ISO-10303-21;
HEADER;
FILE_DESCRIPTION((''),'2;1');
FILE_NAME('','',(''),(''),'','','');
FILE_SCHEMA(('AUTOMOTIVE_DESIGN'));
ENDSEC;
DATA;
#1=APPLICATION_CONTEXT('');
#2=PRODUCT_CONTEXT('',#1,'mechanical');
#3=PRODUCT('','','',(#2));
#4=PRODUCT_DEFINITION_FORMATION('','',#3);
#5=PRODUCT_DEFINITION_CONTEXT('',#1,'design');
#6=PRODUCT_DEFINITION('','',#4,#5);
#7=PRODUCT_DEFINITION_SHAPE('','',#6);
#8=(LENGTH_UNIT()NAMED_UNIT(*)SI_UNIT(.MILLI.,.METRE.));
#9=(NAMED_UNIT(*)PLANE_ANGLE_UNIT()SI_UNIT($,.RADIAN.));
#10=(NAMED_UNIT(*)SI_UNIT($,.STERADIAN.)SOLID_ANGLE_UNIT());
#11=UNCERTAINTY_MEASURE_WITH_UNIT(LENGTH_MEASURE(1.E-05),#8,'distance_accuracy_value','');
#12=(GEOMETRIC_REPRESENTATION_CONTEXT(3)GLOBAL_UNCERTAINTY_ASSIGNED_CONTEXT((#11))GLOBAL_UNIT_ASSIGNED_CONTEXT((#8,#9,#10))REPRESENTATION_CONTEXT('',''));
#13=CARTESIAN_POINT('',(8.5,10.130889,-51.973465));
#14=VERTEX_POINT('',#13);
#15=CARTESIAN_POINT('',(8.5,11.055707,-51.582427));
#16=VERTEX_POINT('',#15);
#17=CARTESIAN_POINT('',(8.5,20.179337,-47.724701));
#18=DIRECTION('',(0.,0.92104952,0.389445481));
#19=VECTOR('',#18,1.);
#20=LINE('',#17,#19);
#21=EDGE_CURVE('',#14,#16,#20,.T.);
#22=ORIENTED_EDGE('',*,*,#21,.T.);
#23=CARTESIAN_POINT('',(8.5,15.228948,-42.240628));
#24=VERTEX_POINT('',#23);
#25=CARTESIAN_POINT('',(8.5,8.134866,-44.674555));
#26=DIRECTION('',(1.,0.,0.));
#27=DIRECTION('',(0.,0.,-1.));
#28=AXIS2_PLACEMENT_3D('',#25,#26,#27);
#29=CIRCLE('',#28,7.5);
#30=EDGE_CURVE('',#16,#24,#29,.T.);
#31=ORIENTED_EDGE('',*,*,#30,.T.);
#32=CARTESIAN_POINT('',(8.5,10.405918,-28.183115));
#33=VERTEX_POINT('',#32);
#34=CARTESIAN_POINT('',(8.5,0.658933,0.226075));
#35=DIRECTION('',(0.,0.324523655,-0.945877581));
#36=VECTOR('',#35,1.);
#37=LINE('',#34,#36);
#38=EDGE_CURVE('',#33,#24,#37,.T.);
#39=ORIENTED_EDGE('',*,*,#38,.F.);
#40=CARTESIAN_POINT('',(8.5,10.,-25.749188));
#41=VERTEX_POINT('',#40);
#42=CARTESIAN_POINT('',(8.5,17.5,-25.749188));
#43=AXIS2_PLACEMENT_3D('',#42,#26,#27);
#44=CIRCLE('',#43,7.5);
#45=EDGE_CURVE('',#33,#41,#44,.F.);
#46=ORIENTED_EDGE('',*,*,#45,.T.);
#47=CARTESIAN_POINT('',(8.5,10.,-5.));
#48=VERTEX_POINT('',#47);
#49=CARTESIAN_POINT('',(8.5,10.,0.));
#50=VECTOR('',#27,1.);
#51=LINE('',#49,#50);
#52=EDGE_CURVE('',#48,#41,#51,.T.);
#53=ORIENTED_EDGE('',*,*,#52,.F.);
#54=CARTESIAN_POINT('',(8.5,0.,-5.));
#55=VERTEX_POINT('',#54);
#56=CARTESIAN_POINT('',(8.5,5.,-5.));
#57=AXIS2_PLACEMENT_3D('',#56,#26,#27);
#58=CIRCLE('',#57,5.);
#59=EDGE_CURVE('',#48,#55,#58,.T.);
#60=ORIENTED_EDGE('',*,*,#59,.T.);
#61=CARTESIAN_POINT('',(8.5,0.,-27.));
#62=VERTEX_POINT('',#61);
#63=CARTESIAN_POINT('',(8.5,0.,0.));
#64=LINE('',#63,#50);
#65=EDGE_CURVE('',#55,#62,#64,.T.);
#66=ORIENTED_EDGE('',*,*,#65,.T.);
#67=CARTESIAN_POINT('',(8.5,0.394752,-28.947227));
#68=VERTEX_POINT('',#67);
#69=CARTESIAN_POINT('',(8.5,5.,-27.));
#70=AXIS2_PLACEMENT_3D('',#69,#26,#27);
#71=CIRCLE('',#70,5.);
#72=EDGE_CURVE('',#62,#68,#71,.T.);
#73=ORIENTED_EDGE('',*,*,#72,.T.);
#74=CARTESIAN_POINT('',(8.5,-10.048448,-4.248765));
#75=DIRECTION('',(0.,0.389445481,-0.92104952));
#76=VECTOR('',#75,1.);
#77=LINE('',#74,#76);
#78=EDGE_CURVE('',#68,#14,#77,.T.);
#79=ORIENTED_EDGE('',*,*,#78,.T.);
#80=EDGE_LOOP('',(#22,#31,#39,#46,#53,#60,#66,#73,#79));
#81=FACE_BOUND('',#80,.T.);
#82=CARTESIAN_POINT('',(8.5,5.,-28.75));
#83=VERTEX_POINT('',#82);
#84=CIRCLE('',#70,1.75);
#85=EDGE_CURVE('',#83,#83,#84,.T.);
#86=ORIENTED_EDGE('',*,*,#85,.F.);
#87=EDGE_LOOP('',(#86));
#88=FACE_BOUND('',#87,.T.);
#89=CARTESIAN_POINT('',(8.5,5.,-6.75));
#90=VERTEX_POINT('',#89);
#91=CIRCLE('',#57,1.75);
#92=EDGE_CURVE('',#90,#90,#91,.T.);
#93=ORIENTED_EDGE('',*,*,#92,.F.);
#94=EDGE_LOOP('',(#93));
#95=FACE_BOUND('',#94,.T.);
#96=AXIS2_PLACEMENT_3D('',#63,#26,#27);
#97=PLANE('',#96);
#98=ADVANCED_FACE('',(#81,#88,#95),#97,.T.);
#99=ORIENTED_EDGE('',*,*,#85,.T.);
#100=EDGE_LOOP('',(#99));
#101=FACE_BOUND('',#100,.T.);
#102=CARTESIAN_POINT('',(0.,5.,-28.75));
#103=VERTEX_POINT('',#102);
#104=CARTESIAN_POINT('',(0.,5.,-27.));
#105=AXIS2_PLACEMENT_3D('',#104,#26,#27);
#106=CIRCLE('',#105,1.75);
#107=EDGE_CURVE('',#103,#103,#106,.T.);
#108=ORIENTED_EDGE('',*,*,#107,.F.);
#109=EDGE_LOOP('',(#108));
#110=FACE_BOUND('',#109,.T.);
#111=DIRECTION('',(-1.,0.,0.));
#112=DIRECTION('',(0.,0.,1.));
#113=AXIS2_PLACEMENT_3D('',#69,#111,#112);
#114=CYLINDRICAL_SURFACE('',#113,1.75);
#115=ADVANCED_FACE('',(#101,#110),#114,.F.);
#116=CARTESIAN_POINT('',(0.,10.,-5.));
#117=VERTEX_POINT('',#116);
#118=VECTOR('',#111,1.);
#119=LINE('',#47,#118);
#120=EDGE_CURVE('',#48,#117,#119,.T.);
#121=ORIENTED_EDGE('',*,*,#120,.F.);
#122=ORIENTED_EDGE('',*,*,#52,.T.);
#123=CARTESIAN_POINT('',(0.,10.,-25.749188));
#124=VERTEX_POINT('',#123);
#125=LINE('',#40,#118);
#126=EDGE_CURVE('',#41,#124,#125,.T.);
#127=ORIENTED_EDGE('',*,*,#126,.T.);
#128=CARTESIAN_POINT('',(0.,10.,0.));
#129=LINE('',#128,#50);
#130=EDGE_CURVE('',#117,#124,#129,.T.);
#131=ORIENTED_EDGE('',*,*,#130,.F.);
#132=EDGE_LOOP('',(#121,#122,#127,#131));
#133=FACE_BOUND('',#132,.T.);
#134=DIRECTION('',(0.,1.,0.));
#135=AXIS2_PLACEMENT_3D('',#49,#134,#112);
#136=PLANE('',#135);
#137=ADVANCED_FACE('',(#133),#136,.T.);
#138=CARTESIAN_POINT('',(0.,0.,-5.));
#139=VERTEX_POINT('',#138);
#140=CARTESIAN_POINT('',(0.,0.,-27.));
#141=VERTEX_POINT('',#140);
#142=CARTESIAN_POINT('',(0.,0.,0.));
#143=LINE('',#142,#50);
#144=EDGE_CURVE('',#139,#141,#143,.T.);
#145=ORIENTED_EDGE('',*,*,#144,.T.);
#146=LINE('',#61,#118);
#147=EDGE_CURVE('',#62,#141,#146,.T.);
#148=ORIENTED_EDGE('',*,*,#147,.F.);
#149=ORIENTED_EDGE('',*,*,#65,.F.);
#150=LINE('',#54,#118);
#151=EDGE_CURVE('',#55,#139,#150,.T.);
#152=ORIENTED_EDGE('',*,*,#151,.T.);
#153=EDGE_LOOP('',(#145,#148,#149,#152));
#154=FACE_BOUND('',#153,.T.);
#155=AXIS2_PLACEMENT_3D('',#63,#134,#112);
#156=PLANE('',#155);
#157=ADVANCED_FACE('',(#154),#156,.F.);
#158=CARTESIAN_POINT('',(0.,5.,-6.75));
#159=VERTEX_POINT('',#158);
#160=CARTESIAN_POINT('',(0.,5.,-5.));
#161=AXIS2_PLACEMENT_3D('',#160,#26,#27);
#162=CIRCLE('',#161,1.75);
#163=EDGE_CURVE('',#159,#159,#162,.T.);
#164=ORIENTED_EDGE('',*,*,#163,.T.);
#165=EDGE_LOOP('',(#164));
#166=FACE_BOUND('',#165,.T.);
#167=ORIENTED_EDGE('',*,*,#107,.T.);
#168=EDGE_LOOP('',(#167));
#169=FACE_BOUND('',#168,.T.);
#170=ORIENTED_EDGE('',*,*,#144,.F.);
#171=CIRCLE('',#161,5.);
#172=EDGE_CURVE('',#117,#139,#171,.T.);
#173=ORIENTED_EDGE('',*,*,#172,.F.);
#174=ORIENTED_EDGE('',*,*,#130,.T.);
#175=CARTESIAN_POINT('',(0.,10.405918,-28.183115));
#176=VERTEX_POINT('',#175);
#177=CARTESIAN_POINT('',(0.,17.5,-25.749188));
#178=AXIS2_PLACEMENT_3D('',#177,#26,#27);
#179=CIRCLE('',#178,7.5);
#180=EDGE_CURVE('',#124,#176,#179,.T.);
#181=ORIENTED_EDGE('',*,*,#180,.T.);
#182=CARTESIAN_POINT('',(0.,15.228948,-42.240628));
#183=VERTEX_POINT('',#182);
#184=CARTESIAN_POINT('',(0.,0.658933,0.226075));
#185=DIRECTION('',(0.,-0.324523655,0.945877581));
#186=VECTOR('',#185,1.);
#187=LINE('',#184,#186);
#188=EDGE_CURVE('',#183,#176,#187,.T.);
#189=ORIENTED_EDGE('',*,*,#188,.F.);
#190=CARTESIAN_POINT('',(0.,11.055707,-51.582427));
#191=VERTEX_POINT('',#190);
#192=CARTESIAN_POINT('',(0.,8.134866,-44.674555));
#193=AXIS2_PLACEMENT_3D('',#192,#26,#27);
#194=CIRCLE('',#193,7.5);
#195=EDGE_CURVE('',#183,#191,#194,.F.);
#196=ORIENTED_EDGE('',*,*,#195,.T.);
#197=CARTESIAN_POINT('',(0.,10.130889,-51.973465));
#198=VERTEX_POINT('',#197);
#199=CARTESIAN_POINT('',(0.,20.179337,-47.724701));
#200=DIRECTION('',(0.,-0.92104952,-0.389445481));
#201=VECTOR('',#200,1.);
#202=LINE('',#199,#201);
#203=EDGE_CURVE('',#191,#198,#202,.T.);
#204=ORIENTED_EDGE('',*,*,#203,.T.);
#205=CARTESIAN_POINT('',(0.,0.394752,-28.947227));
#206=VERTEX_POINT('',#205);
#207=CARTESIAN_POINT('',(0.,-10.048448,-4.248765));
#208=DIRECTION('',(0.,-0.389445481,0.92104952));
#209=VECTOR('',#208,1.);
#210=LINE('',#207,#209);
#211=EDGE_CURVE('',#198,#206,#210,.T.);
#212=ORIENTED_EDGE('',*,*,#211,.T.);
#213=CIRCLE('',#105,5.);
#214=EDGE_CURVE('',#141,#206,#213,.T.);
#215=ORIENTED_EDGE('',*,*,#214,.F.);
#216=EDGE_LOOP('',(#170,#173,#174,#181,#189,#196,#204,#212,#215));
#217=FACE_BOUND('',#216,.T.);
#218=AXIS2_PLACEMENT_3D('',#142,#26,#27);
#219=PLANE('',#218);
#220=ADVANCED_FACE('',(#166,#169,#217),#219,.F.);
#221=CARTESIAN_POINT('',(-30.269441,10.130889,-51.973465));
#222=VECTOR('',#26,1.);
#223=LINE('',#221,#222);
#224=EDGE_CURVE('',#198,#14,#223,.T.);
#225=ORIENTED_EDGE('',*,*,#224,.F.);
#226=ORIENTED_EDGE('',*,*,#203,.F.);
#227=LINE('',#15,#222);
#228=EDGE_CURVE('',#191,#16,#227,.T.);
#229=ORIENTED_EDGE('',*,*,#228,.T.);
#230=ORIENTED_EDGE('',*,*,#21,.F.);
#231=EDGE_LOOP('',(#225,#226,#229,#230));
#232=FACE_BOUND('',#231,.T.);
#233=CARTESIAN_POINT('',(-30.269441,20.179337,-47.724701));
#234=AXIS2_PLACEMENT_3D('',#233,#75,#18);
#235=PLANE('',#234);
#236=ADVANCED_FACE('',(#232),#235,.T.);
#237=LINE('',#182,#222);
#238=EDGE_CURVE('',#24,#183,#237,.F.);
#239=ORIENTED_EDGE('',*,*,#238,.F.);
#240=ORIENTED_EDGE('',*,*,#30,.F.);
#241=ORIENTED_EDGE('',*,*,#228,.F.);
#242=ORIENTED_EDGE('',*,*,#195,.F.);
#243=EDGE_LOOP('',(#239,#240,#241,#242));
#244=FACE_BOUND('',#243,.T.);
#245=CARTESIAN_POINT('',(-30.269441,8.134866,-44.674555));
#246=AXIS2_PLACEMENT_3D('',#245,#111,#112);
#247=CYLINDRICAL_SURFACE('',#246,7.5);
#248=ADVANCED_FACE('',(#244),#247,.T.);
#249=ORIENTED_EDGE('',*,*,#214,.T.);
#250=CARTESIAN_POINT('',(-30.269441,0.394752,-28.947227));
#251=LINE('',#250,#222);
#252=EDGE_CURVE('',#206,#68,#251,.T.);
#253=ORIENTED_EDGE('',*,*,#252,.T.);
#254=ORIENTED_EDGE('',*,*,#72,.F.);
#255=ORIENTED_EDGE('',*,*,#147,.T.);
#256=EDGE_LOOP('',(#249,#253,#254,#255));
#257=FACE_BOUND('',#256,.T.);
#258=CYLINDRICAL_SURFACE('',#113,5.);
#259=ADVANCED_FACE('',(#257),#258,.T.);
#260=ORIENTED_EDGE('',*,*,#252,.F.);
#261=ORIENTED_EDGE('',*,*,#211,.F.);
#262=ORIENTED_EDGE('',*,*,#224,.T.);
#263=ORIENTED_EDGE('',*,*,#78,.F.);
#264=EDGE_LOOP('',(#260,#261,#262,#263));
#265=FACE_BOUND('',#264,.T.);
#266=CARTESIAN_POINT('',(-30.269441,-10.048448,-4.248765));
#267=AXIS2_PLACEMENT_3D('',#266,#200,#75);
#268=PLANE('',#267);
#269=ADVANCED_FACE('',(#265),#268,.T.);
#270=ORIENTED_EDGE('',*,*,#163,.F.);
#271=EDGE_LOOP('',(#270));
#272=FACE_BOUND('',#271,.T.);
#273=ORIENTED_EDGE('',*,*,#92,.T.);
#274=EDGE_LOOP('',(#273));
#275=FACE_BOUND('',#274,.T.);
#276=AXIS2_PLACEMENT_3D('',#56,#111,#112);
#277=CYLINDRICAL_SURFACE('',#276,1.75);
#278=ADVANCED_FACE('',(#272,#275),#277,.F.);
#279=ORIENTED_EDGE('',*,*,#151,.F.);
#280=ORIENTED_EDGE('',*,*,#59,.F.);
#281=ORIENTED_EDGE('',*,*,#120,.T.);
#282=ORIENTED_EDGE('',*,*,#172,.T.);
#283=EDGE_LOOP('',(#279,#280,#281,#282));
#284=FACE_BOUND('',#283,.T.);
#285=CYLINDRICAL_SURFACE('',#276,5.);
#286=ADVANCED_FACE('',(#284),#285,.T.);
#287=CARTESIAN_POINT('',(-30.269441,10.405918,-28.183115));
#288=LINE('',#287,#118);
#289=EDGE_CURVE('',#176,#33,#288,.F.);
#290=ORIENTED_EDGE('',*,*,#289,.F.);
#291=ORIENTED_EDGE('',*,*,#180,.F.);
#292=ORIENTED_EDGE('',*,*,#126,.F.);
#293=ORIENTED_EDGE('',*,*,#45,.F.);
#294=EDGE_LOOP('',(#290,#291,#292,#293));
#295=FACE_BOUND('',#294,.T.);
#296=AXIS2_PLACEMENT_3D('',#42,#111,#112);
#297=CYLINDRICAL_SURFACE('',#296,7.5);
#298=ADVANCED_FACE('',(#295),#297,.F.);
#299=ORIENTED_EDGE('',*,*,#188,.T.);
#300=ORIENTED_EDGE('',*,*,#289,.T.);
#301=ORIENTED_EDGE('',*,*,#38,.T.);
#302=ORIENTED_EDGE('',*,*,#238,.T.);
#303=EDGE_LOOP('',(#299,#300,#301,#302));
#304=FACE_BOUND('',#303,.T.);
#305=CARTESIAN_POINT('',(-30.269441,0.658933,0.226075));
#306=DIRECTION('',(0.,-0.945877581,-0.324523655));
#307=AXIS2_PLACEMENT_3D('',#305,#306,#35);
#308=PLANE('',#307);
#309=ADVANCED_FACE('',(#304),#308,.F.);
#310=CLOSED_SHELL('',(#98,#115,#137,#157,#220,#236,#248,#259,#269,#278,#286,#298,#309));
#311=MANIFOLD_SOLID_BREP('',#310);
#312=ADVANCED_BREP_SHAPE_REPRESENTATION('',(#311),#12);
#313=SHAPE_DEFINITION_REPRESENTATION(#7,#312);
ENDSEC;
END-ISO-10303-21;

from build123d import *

# Parameters (mm, degrees)
SKETCH1_R           = 1.75
BOSS_EXTRUDE1_DEPTH = 8.5
BOSS_EXTRUDE2_START = -8.5
BOSS_EXTRUDE2_DEPTH = 8.5
FILLET1_R           = 7.5


with BuildPart() as part:
    # Sketch1 → Boss-Extrude1 (new body)
    with BuildSketch(Plane(origin=(0, 0, 0), x_dir=(0, 0, -1), z_dir=(1, 0, 0))):
        with BuildLine():
            Line((27, 10), (5, 10))
            ThreePointArc((5, 10), (0, 5), (5, 0))
            Line((5, 0), (27, 0))
            ThreePointArc((27, 0), (32, 5), (27, 10))
        make_face()
        with Locations((5, 5)):
            Circle(SKETCH1_R, mode=Mode.SUBTRACT)
        with Locations((27, 5)):
            Circle(SKETCH1_R, mode=Mode.SUBTRACT)
    extrude(amount=BOSS_EXTRUDE1_DEPTH)

    # Sketch2 → Boss-Extrude2 (add)
    with BuildSketch(Plane(origin=(8.5, 0, 0), x_dir=(0, 0, -1), z_dir=(1, 0, 0)).offset(BOSS_EXTRUDE2_START)):
        with BuildLine():
            Line((48.857901547, 17.499285579), (27, 10))
            ThreePointArc((27, 10), (31.900318254, 5.993418847), (28.947227404, 0.394752402))
            Line((28.947227404, 0.394752402), (51.973465393, 10.130889422))
            Line((51.973465393, 10.130889422), (48.857901547, 17.499285579))
        make_face()
    extrude(amount=BOSS_EXTRUDE2_DEPTH)

    # Fillet1
    fillet1_edges = [part.edges().sort_by_distance(p)[0] for p in [
        (4.25, 10, -27),
        (4.25, 17.499285579, -48.857901547),
    ]]
    fillet(fillet1_edges, radius=FILLET1_R)


solid = part.part
